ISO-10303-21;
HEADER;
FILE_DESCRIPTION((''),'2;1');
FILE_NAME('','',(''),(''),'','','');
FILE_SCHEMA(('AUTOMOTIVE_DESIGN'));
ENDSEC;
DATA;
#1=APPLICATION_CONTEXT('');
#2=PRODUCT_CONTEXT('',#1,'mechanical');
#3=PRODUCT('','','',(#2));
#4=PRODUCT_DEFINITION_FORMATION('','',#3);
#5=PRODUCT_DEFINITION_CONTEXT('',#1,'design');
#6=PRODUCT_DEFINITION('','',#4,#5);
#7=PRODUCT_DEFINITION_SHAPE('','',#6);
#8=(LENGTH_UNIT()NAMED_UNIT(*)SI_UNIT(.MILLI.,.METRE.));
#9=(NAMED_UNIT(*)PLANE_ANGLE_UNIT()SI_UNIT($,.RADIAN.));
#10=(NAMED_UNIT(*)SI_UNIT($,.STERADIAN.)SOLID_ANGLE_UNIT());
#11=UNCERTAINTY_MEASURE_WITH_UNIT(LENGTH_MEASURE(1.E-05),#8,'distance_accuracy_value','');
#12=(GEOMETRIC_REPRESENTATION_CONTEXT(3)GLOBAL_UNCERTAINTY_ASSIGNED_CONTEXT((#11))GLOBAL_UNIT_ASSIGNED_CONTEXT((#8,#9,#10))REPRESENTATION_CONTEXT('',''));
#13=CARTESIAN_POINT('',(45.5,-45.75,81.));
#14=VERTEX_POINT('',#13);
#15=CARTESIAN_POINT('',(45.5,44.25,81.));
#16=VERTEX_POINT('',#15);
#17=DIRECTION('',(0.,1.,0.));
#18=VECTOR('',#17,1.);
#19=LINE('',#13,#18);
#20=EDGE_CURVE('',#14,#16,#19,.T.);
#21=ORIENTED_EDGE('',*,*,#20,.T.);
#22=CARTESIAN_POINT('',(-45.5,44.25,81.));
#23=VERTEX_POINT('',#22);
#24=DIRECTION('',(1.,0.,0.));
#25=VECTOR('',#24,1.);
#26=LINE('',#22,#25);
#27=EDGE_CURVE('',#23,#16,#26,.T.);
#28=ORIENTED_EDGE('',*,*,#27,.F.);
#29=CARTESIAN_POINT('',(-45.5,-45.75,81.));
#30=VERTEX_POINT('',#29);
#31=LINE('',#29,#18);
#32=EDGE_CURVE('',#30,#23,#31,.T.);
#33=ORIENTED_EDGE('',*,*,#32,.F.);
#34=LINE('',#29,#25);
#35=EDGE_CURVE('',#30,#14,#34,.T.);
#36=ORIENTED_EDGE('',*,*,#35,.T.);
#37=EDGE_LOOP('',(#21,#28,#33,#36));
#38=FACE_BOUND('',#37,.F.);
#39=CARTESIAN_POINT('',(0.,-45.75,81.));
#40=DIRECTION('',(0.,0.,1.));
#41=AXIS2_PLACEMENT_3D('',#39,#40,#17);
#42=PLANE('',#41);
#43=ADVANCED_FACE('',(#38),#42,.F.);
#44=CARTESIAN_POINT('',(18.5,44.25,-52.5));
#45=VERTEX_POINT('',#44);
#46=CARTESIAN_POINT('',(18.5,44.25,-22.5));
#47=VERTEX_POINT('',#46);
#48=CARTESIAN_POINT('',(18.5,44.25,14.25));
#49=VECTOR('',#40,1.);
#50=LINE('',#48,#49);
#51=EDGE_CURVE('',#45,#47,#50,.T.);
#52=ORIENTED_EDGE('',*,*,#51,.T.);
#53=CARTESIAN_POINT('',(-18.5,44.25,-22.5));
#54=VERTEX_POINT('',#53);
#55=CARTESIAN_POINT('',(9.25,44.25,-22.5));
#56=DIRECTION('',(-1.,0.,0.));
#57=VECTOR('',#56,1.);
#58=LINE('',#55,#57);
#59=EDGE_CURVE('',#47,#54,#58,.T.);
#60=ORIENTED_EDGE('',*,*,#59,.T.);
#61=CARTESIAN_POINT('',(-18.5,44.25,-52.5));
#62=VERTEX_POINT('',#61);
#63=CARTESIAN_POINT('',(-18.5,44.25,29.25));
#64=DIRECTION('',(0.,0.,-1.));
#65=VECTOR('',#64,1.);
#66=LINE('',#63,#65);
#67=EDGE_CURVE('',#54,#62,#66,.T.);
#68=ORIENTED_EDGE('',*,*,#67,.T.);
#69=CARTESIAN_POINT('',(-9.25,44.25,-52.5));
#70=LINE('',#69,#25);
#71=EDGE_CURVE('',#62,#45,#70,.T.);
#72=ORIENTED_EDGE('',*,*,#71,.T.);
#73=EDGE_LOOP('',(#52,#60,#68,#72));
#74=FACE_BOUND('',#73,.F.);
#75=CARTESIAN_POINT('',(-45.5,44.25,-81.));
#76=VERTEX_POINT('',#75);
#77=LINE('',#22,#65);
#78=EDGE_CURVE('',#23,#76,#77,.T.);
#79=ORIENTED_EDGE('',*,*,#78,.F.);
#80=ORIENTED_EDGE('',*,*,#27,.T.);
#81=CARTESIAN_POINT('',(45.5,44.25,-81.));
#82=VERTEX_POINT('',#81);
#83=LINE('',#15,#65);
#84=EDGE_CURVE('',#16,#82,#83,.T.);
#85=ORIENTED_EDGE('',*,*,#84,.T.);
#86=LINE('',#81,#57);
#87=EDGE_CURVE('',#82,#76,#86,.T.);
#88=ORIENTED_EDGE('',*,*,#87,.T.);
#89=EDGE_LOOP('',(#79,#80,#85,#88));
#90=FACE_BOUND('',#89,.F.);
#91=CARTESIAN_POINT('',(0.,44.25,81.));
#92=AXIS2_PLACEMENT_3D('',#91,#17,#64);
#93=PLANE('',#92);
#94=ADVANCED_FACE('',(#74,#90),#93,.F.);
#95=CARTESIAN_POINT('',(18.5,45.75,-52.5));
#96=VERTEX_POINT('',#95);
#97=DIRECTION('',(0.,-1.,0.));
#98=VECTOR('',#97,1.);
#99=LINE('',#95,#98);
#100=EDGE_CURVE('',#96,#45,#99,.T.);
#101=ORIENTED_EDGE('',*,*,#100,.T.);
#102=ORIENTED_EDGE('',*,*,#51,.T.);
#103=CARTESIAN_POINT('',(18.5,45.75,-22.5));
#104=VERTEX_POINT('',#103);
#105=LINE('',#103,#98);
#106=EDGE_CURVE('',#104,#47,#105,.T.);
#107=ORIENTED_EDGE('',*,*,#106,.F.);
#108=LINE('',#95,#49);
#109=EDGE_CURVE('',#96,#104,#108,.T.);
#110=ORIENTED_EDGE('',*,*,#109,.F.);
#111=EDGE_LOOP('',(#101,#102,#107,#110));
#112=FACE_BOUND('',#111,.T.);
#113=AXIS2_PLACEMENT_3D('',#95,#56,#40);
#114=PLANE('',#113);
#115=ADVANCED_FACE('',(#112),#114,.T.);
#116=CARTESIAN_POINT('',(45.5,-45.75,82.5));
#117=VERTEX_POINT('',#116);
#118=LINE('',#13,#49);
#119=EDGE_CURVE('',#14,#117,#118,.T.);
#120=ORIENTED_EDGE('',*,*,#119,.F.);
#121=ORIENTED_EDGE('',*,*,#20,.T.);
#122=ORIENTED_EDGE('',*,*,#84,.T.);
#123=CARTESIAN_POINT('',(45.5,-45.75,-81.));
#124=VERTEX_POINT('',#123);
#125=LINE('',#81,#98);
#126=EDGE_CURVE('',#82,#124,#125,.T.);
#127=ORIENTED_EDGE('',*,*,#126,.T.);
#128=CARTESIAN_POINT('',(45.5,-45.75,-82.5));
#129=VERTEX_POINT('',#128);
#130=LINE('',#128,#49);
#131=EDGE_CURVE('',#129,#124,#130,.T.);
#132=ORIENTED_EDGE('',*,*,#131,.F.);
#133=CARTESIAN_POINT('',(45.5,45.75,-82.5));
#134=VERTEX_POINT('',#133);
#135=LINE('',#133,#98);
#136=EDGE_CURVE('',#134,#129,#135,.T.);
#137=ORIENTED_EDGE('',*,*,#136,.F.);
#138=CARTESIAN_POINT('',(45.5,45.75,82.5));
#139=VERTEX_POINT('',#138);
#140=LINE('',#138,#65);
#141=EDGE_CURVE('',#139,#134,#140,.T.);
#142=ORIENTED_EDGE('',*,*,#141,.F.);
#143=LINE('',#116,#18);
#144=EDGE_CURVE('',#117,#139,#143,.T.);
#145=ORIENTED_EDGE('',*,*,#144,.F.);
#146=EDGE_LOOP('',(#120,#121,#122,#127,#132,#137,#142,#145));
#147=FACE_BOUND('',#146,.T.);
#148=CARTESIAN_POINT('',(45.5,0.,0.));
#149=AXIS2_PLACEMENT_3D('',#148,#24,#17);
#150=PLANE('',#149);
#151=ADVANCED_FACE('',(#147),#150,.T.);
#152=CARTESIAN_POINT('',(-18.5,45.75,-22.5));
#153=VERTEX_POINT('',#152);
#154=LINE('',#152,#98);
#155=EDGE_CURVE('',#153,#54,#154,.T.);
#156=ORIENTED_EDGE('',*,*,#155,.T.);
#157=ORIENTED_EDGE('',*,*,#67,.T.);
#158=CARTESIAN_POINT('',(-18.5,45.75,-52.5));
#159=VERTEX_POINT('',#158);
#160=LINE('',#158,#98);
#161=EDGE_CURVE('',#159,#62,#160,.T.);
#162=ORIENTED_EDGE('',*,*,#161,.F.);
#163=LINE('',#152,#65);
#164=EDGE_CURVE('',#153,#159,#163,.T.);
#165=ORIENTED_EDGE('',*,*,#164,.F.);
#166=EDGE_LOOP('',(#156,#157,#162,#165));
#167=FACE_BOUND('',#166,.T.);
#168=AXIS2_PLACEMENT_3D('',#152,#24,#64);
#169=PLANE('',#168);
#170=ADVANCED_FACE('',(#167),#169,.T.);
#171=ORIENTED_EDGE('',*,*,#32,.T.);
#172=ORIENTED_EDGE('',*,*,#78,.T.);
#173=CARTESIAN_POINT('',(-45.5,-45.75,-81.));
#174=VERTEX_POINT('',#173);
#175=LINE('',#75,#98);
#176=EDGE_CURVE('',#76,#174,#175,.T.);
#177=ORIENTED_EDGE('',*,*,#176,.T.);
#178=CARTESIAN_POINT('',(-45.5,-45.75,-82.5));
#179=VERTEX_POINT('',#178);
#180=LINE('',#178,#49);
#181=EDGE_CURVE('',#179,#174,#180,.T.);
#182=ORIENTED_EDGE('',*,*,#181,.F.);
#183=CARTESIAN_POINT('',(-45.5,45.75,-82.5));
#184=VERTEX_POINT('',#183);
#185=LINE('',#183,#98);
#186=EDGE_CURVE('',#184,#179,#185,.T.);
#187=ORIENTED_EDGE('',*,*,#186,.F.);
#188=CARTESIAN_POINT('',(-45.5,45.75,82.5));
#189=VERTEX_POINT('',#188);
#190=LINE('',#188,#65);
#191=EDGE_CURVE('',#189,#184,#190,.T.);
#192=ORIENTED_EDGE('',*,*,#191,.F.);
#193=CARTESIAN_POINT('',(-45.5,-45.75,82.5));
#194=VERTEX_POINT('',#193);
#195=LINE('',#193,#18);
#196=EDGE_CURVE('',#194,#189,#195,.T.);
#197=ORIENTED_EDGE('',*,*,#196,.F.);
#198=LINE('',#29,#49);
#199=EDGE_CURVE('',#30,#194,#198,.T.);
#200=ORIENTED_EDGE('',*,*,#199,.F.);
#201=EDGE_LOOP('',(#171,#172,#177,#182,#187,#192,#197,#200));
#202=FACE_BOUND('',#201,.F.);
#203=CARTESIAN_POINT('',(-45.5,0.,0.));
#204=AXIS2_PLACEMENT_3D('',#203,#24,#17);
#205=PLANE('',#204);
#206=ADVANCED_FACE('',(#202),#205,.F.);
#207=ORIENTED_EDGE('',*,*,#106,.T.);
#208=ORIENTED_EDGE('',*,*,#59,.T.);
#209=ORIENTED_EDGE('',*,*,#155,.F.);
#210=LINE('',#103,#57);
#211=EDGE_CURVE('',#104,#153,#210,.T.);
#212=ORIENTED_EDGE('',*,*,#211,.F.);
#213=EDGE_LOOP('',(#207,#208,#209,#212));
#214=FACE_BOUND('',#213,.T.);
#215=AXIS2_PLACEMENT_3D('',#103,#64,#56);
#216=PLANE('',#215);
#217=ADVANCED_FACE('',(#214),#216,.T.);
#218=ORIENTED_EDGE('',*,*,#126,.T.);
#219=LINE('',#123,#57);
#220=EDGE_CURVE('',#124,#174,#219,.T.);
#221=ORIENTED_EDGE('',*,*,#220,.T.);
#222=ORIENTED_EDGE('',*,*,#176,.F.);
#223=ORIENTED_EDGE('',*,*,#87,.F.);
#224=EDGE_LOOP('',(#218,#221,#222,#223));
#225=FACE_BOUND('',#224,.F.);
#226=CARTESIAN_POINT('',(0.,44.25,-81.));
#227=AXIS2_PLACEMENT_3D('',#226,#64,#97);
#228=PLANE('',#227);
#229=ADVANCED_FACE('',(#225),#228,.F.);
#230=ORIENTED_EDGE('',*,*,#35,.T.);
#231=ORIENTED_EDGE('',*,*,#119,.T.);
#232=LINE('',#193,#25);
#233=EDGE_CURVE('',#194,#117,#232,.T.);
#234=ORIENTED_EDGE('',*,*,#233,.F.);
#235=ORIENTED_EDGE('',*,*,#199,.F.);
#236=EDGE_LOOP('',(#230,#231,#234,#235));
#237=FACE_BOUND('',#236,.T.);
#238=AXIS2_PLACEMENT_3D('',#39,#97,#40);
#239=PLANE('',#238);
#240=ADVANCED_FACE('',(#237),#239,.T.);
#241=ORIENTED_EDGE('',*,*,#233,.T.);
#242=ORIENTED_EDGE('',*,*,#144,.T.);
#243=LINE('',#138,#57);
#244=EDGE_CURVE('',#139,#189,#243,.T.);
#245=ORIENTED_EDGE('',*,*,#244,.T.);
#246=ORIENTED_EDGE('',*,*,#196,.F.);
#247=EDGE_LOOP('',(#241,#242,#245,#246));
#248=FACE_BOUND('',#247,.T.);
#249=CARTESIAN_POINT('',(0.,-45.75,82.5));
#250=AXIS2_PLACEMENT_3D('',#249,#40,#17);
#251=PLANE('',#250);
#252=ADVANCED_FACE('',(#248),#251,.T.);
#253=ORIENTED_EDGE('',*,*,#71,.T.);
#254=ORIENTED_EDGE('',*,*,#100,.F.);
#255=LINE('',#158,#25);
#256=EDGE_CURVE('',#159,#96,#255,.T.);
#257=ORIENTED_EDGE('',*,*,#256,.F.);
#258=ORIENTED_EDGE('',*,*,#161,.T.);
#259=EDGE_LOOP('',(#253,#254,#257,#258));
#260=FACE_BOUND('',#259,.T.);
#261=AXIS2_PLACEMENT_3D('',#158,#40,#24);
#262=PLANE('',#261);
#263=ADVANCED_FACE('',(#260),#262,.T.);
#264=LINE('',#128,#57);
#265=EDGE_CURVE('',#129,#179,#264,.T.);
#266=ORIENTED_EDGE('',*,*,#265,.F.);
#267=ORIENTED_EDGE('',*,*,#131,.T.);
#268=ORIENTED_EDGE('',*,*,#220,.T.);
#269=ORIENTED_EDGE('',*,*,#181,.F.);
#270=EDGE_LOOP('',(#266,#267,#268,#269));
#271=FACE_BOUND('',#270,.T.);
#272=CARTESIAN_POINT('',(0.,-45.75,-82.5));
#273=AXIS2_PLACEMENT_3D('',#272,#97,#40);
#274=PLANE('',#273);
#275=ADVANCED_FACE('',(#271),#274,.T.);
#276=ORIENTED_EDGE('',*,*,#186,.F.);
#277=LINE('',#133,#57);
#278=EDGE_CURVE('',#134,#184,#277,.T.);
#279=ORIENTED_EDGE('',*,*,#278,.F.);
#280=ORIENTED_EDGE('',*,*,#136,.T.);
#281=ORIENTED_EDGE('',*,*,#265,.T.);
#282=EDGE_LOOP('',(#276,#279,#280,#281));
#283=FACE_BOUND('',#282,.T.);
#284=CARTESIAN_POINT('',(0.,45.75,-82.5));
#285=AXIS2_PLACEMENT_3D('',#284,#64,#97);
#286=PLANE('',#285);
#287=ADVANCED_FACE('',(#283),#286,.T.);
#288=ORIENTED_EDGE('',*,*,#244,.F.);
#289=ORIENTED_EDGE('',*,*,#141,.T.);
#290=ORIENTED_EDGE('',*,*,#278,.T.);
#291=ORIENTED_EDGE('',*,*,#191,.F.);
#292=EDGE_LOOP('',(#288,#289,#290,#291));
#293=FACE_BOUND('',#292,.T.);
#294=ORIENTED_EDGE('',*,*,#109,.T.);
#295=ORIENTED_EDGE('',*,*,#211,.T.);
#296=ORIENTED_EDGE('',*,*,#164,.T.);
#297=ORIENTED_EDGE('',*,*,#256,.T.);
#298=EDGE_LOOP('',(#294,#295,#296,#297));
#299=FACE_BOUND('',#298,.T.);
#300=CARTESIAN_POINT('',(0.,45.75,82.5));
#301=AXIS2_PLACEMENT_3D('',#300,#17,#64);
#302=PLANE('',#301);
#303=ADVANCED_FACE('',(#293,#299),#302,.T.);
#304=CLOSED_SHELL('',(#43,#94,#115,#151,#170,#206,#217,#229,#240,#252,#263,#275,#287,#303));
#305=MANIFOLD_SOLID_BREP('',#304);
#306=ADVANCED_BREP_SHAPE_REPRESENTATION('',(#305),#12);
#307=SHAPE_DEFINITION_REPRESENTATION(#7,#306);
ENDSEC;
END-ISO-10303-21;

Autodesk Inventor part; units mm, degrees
ref_plane "YZ Plane" through (0, 0, 0) normal (1, 0, 0) x (0, 1, 0)
ref_plane "XZ Plane" through (0, 0, 0) normal (0, 1, 0) x (-1, 0, 0)
ref_plane "XY Plane" through (0, 0, 0) normal (0, 0, 1) x (1, 0, 0)
sketch "Skizze1" plane through (0, 0, 0) normal (1, 0, 0) x (0, 1, 0)
  line L0 (-45.75, 82.5) -> (45.75, 82.5)
  line L1 (45.75, 82.5) -> (45.75, -82.5)
  line L2 (45.75, -82.5) -> (-45.75, -82.5)
  line L3 (-45.75, 81) -> (44.25, 81)
  line L4 (44.25, 81) -> (44.25, -81)
  line L5 (44.25, -81) -> (-45.75, -81)
  line L6 (-45.75, -82.5) -> (-45.75, -81)
  line L7 (-45.75, 81) -> (-45.75, 82.5)
  point P0 (0, 0)
  point P1 (0, 82.5)
  point P2 (45.75, 0)
  dimension "d0" = 1.5
  dimension "d1" = 1.5
  dimension "d2" = 1.5
  dimension "d3" = 90
  dimension "d4" = 165
extrude "Extrusion1" add sketch "Skizze1" along normal mid plane 91
sketch "Skizze2" plane through (-45.5, 45.75, 82.5) normal (0, 1, 0) x (1, 0, 0)
  line L0 (64, 105) -> (27, 105)
  line L1 (27, 105) -> (27, 135)
  line L2 (27, 135) -> (64, 135)
  line L3 (64, 135) -> (64, 105)
  line L4 (91, 165) -> (0, 165) projected
  line L5 (91, 165) -> (91, 0) projected
  line L6 (0, 0) -> (0, 165) projected
  point P0 (45.5, 82.5)
  dimension "d7" = 30
  dimension "d8" = 30
  dimension "d9" = 27
  dimension "d10" = 27
extrude "Extrusion2" cut sketch "Skizze2" against normal through all
properties part number "Platinenhalter"
